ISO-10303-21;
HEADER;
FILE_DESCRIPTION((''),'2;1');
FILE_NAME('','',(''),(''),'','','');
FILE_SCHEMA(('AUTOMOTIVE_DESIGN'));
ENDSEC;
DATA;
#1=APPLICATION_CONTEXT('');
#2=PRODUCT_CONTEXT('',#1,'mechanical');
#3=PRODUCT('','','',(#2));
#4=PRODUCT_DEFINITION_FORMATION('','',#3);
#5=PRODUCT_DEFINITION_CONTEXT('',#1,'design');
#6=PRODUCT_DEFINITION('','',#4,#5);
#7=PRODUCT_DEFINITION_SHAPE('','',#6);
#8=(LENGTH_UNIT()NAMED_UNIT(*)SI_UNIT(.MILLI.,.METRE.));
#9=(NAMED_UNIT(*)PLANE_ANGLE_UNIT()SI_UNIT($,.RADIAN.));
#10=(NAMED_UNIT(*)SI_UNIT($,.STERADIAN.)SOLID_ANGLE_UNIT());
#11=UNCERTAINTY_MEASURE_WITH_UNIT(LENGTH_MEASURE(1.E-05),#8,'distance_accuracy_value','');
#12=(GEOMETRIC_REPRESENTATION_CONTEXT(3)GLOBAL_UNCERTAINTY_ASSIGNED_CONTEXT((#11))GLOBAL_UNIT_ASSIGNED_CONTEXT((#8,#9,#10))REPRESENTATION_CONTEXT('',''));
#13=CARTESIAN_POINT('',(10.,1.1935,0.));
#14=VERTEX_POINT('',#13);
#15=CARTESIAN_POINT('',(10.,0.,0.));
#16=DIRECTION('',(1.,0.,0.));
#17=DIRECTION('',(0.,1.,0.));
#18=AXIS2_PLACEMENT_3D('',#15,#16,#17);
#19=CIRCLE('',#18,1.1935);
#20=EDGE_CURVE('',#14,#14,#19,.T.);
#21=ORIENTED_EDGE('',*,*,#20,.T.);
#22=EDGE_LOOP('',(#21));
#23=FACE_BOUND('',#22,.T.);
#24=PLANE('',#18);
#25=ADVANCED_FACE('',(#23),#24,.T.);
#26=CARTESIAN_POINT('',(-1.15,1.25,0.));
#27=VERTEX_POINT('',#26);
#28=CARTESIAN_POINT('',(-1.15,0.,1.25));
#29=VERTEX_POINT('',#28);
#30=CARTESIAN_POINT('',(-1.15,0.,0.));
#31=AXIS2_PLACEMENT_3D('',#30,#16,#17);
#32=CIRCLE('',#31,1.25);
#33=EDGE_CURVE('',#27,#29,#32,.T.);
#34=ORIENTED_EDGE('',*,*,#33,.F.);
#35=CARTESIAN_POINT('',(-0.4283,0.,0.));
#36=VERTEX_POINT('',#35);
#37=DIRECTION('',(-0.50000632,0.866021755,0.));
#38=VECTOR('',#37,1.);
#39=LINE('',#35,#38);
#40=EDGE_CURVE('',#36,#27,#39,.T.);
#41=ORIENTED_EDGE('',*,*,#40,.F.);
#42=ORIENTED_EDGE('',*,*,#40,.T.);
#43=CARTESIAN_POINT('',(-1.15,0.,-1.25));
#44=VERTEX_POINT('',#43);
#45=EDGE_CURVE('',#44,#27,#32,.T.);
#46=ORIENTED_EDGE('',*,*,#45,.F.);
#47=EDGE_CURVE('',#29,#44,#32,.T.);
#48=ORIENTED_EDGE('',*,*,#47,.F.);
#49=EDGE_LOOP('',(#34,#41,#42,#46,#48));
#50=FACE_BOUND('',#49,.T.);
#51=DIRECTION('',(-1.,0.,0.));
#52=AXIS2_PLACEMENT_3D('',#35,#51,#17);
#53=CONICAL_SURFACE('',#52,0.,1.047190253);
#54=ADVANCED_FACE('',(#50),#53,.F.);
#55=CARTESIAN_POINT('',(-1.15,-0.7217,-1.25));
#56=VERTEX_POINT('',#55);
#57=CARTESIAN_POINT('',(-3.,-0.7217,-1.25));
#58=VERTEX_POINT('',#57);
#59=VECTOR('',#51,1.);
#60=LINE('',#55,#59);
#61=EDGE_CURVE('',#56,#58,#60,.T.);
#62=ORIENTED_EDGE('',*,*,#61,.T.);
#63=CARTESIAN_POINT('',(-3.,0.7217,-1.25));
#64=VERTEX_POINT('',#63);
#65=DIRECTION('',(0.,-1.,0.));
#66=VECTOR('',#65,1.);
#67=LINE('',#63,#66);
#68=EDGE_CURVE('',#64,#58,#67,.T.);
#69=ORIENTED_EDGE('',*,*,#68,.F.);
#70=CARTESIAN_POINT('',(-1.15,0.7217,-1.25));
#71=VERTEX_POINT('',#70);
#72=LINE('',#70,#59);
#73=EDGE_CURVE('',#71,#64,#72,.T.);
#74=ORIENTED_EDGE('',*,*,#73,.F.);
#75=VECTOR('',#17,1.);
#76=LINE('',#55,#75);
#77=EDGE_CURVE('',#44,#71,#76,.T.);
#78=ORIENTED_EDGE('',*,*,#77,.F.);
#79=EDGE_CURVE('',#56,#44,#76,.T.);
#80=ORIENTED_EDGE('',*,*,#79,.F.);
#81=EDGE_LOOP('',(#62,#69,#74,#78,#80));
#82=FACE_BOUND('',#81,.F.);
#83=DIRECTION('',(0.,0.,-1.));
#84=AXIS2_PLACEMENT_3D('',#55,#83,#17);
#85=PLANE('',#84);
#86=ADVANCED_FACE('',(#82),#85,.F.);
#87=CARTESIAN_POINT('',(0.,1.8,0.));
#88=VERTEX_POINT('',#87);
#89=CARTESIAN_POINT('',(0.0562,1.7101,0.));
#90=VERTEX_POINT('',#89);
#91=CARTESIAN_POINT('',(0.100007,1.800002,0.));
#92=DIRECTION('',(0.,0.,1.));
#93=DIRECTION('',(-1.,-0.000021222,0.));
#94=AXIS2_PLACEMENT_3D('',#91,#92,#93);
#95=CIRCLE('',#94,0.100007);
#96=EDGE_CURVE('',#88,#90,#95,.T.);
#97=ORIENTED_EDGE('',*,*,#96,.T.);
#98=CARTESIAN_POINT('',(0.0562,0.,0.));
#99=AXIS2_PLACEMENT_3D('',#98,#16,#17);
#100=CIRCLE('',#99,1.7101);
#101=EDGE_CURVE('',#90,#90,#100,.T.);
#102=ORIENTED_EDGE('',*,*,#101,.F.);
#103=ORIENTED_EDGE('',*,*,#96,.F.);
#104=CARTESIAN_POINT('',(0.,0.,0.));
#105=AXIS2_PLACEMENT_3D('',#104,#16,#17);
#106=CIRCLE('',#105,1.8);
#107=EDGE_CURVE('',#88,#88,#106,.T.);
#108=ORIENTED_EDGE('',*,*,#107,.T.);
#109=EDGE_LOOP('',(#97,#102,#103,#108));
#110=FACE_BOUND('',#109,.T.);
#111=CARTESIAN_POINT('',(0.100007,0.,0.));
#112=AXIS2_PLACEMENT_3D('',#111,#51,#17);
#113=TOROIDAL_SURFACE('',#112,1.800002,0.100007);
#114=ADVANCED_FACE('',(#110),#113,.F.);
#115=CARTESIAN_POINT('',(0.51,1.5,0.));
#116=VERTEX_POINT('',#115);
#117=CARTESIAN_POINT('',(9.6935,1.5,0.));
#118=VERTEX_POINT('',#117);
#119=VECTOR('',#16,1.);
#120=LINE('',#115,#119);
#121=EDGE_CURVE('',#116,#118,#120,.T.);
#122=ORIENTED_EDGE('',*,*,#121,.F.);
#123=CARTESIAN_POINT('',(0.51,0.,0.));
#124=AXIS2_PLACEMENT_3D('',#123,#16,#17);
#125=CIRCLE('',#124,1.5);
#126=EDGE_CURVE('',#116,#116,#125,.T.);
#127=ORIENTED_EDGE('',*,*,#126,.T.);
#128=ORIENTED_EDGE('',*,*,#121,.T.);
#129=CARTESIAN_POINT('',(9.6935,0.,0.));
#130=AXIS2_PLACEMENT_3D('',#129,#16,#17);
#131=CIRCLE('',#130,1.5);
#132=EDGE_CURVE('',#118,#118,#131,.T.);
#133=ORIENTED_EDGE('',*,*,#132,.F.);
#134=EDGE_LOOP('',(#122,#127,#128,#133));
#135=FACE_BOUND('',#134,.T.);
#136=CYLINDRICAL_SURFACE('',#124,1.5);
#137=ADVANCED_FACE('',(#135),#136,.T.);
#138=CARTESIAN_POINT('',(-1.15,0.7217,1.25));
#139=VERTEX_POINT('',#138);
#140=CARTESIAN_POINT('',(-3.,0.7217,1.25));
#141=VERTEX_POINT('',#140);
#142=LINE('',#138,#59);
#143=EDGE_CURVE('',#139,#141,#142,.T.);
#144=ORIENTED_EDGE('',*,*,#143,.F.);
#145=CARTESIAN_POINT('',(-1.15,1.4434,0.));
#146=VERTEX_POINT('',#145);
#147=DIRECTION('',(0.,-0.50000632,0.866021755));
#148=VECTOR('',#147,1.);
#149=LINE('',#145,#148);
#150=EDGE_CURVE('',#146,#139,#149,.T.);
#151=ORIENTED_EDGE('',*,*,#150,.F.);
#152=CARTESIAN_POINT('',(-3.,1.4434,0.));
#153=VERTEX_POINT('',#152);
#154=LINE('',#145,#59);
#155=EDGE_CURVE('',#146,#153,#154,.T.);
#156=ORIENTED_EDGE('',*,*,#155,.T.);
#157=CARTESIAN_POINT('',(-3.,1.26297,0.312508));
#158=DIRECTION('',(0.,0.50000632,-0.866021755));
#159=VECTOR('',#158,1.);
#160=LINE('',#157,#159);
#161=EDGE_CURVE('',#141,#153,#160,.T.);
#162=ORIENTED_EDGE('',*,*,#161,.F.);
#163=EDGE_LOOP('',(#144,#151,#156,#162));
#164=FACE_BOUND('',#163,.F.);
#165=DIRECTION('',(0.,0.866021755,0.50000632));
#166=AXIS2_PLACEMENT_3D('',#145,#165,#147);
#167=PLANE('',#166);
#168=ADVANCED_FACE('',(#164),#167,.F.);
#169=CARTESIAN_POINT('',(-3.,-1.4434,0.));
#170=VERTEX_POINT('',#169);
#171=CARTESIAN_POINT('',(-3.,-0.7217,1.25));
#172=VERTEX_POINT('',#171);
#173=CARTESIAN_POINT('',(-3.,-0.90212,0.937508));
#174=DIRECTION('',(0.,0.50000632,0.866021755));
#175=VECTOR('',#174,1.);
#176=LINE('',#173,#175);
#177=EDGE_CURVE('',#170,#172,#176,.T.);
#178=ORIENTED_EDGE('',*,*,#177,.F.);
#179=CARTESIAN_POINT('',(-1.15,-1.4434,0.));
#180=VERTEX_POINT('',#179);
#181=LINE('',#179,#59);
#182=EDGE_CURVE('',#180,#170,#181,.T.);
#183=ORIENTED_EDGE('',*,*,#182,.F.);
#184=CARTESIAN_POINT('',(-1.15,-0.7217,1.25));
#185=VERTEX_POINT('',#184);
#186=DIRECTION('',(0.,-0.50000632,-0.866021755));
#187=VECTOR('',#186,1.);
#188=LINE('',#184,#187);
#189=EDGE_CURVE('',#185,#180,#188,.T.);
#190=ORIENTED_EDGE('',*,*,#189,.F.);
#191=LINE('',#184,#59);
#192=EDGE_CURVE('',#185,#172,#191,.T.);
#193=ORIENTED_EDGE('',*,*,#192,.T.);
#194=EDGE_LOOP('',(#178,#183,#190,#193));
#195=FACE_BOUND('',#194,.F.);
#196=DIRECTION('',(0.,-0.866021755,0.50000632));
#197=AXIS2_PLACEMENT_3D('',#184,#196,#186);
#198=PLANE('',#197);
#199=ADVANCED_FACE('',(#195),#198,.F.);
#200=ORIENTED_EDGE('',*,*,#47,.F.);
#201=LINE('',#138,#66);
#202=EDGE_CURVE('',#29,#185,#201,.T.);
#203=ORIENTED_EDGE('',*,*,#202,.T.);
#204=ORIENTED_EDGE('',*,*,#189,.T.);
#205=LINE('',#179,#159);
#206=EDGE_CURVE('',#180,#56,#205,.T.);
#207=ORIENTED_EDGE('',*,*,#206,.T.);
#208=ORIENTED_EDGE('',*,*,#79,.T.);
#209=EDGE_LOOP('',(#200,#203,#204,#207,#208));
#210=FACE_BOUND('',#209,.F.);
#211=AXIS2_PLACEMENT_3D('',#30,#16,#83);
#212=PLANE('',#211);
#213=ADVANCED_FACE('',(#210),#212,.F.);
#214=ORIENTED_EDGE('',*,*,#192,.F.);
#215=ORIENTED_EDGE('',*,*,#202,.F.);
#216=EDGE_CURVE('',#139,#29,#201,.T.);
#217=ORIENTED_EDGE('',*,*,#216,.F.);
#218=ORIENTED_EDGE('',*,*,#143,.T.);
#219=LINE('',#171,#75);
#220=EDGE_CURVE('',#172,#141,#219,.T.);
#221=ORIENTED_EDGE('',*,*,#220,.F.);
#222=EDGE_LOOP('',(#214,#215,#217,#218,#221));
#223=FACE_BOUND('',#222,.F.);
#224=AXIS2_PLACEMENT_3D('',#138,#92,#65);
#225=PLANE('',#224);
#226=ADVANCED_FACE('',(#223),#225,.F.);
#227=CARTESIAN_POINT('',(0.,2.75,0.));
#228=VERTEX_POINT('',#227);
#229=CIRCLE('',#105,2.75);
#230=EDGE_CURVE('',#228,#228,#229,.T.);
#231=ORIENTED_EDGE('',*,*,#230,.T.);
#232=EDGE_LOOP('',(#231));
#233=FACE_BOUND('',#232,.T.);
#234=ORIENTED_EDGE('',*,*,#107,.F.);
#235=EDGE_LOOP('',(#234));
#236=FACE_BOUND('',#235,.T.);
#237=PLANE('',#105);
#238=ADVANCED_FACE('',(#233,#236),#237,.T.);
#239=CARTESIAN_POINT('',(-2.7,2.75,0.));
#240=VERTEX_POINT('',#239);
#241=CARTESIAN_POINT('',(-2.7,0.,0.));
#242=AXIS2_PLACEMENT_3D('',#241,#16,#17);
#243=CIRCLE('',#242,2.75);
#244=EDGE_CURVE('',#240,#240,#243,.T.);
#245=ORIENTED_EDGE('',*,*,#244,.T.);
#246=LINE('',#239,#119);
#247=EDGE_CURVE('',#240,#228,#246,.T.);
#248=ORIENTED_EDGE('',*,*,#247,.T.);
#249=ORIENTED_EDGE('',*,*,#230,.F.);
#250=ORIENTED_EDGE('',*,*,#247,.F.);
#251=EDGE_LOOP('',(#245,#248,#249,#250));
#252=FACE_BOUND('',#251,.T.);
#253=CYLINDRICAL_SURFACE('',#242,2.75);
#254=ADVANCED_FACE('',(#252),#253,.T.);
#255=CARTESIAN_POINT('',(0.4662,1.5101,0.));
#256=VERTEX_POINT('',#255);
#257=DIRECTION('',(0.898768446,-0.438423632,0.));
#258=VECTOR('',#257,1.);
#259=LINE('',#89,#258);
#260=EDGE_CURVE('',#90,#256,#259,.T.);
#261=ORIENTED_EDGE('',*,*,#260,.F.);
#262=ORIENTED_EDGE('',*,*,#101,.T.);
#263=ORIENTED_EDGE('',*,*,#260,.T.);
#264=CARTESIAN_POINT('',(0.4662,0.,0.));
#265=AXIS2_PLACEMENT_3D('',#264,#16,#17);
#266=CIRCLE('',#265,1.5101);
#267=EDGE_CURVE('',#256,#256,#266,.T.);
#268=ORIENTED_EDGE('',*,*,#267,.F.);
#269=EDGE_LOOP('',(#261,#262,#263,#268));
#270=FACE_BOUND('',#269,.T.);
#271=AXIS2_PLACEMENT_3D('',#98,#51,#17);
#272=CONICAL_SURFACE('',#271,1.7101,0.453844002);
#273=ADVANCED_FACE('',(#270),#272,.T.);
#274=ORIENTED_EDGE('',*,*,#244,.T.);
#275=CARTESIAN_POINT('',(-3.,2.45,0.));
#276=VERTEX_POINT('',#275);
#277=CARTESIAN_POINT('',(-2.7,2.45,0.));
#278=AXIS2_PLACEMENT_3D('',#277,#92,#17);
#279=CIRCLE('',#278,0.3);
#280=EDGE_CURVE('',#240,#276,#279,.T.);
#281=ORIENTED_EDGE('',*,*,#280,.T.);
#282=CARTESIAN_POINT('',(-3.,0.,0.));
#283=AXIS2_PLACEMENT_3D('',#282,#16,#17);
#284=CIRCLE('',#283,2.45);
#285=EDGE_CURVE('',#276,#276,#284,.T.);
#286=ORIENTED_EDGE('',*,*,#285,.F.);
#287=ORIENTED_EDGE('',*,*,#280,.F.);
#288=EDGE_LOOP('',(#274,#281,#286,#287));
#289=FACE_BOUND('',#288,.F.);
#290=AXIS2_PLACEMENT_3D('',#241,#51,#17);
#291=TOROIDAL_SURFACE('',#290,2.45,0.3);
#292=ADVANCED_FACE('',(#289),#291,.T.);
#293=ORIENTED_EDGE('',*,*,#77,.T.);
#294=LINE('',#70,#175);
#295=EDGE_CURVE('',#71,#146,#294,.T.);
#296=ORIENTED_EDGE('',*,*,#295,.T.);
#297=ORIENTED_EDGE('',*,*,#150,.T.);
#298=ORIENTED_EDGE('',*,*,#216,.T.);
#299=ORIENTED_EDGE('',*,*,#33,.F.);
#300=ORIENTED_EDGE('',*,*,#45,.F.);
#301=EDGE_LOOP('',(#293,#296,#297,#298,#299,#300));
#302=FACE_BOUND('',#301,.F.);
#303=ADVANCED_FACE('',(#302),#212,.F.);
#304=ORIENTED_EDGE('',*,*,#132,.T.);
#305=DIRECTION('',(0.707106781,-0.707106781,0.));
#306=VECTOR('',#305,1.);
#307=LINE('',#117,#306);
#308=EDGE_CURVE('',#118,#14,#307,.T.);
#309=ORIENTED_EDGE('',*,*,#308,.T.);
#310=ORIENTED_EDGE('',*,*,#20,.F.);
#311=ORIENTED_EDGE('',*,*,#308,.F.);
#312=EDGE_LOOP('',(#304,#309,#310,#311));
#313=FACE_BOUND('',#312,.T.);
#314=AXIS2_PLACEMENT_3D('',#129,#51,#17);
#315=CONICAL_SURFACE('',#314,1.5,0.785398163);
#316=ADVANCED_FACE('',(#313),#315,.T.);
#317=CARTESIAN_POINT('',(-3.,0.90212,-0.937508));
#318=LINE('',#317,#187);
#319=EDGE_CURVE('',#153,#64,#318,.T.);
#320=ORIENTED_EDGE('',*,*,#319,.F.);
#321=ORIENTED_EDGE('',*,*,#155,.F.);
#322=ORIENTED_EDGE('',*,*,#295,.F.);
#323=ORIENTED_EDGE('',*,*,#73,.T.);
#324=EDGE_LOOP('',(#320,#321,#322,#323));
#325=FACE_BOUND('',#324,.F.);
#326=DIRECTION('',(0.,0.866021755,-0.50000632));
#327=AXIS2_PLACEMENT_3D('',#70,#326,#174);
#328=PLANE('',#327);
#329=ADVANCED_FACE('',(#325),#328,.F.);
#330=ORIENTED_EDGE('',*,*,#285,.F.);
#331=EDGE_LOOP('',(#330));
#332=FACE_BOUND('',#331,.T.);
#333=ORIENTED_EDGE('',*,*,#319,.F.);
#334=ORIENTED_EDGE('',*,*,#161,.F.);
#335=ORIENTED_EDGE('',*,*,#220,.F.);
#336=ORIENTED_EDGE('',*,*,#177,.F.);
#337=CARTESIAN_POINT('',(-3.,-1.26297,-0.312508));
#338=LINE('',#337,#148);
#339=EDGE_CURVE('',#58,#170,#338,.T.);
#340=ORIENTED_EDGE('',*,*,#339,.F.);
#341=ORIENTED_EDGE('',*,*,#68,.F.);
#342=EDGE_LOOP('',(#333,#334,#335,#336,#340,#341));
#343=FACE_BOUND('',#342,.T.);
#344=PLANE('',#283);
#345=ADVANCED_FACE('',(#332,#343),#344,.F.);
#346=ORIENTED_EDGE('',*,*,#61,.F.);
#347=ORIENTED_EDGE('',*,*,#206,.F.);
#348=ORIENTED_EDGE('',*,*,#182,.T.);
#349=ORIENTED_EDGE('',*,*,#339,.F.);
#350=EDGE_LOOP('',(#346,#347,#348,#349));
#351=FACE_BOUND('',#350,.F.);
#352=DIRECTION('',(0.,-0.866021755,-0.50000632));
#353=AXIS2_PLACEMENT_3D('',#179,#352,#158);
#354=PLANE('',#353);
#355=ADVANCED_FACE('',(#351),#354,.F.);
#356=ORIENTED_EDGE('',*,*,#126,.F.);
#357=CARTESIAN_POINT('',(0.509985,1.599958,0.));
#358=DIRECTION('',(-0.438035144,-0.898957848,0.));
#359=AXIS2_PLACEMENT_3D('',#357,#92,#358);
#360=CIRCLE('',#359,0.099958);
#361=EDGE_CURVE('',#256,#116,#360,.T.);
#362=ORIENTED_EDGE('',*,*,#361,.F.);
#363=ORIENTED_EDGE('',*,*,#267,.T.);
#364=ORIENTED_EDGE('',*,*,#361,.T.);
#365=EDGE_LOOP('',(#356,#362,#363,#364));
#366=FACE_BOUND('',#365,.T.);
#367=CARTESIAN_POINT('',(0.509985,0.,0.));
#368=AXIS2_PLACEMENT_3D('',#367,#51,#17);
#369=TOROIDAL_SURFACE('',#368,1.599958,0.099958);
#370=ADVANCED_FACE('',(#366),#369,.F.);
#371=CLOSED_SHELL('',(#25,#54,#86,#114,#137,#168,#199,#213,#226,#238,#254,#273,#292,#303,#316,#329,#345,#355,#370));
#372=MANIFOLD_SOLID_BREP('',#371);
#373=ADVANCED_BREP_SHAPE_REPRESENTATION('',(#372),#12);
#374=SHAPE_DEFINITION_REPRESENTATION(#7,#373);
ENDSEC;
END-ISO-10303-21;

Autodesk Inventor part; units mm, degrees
sketch "Skizze_2" plane through (0, 0, 0) normal (0, 0, 1) x (1, 0, 0)
  line L0 (10, 0) -> (-0.4283, 0)
  line L1 (-0.4283, 0) -> (-1.15, 1.25)
  line L2 (-1.15, 1.25) -> (-3, 1.25)
  line L3 (-3, 1.25) -> (-3, 2.45)
  arc A0 (-2.7, 2.75) -> (-3, 2.45) centre (-2.7, 2.45) ccw
  line L4 (-2.7, 2.75) -> (0, 2.75)
  line L5 (0, 2.75) -> (0, 1.8)
  arc A1 (0, 1.8) -> (0.0562, 1.7101) centre (0.1, 1.8) ccw
  line L6 (0.0562, 1.7101) -> (0.4662, 1.5101)
  arc A2 (0.4662, 1.5101) -> (0.51, 1.5) centre (0.51, 1.6) ccw
  line L7 (0.51, 1.5) -> (9.6935, 1.5)
  line L8 (9.6935, 1.5) -> (10, 1.1935)
  line L9 (10, 1.1935) -> (10, 0)
  line L10 (10, 0) -> (-0.4283, 0)
revolve "Revolution1" add sketch "Skizze_2" angle 360 about axis through (10, 0, 0) along (1, 0, 0)
thread "Thread1" size "M3x0.5" class "6g" standard "ISO Metric profile" length 1.1935
sketch "Skizze_1" plane through (-1.15, 0, 0) normal (1, 0, 0) x (0, 0, -1)
  line L0 (-1.25, -0.7217) -> (0, -1.4434)
  line L1 (0, -1.4434) -> (1.25, -0.7217)
  line L2 (1.25, -0.7217) -> (1.25, 0.7217)
  line L3 (1.25, 0.7217) -> (0, 1.4434)
  line L4 (0, 1.4434) -> (-1.25, 0.7217)
  line L5 (-1.25, 0.7217) -> (-1.25, -0.7217)
extrude "Extrusion1" cut sketch "Skizze_1" against normal blind 2.6
ref_plane "IP1_XY" through (0, 0, 0) normal (1, 0, 0) x (0, 0, -1)
ref_plane "IP1_YZ" through (0, 0, 0) normal (0, 0, -1) x (0, 1, 0)
ref_plane "IP1_ZX" through (0, 0, 0) normal (0, 1, 0) x (1, 0, 0)
ref_plane "IP2_XY" through (-3, 0, 0) normal (1, 0, 0) x (0, 0, -1)
ref_plane "IP2_YZ" through (-3, 0, 0) normal (0, 0, -1) x (0, 1, 0)
ref_plane "IP2_ZX" through (-3, 0, 0) normal (0, 1, 0) x (1, 0, 0)
ref_plane "IP3_XY" through (10, 0, 0) normal (1, 0, 0) x (0, 0, -1)
ref_plane "IP3_YZ" through (10, 0, 0) normal (0, 0, -1) x (0, 1, 0)
ref_plane "IP3_ZX" through (10, 0, 0) normal (0, 1, 0) x (1, 0, 0)
ref_plane "IP4_XY" through (0, 0, 0) normal (1, 0, 0) x (0, 0, -1)
ref_plane "IP4_YZ" through (0, 0, 0) normal (0, 0, -1) x (0, 1, 0)
ref_plane "IP4_ZX" through (0, 0, 0) normal (0, 1, 0) x (1, 0, 0)
properties part number "Slotted head cap screw ISO 4762 - M3x10" material "鋼、炭素鋼"
